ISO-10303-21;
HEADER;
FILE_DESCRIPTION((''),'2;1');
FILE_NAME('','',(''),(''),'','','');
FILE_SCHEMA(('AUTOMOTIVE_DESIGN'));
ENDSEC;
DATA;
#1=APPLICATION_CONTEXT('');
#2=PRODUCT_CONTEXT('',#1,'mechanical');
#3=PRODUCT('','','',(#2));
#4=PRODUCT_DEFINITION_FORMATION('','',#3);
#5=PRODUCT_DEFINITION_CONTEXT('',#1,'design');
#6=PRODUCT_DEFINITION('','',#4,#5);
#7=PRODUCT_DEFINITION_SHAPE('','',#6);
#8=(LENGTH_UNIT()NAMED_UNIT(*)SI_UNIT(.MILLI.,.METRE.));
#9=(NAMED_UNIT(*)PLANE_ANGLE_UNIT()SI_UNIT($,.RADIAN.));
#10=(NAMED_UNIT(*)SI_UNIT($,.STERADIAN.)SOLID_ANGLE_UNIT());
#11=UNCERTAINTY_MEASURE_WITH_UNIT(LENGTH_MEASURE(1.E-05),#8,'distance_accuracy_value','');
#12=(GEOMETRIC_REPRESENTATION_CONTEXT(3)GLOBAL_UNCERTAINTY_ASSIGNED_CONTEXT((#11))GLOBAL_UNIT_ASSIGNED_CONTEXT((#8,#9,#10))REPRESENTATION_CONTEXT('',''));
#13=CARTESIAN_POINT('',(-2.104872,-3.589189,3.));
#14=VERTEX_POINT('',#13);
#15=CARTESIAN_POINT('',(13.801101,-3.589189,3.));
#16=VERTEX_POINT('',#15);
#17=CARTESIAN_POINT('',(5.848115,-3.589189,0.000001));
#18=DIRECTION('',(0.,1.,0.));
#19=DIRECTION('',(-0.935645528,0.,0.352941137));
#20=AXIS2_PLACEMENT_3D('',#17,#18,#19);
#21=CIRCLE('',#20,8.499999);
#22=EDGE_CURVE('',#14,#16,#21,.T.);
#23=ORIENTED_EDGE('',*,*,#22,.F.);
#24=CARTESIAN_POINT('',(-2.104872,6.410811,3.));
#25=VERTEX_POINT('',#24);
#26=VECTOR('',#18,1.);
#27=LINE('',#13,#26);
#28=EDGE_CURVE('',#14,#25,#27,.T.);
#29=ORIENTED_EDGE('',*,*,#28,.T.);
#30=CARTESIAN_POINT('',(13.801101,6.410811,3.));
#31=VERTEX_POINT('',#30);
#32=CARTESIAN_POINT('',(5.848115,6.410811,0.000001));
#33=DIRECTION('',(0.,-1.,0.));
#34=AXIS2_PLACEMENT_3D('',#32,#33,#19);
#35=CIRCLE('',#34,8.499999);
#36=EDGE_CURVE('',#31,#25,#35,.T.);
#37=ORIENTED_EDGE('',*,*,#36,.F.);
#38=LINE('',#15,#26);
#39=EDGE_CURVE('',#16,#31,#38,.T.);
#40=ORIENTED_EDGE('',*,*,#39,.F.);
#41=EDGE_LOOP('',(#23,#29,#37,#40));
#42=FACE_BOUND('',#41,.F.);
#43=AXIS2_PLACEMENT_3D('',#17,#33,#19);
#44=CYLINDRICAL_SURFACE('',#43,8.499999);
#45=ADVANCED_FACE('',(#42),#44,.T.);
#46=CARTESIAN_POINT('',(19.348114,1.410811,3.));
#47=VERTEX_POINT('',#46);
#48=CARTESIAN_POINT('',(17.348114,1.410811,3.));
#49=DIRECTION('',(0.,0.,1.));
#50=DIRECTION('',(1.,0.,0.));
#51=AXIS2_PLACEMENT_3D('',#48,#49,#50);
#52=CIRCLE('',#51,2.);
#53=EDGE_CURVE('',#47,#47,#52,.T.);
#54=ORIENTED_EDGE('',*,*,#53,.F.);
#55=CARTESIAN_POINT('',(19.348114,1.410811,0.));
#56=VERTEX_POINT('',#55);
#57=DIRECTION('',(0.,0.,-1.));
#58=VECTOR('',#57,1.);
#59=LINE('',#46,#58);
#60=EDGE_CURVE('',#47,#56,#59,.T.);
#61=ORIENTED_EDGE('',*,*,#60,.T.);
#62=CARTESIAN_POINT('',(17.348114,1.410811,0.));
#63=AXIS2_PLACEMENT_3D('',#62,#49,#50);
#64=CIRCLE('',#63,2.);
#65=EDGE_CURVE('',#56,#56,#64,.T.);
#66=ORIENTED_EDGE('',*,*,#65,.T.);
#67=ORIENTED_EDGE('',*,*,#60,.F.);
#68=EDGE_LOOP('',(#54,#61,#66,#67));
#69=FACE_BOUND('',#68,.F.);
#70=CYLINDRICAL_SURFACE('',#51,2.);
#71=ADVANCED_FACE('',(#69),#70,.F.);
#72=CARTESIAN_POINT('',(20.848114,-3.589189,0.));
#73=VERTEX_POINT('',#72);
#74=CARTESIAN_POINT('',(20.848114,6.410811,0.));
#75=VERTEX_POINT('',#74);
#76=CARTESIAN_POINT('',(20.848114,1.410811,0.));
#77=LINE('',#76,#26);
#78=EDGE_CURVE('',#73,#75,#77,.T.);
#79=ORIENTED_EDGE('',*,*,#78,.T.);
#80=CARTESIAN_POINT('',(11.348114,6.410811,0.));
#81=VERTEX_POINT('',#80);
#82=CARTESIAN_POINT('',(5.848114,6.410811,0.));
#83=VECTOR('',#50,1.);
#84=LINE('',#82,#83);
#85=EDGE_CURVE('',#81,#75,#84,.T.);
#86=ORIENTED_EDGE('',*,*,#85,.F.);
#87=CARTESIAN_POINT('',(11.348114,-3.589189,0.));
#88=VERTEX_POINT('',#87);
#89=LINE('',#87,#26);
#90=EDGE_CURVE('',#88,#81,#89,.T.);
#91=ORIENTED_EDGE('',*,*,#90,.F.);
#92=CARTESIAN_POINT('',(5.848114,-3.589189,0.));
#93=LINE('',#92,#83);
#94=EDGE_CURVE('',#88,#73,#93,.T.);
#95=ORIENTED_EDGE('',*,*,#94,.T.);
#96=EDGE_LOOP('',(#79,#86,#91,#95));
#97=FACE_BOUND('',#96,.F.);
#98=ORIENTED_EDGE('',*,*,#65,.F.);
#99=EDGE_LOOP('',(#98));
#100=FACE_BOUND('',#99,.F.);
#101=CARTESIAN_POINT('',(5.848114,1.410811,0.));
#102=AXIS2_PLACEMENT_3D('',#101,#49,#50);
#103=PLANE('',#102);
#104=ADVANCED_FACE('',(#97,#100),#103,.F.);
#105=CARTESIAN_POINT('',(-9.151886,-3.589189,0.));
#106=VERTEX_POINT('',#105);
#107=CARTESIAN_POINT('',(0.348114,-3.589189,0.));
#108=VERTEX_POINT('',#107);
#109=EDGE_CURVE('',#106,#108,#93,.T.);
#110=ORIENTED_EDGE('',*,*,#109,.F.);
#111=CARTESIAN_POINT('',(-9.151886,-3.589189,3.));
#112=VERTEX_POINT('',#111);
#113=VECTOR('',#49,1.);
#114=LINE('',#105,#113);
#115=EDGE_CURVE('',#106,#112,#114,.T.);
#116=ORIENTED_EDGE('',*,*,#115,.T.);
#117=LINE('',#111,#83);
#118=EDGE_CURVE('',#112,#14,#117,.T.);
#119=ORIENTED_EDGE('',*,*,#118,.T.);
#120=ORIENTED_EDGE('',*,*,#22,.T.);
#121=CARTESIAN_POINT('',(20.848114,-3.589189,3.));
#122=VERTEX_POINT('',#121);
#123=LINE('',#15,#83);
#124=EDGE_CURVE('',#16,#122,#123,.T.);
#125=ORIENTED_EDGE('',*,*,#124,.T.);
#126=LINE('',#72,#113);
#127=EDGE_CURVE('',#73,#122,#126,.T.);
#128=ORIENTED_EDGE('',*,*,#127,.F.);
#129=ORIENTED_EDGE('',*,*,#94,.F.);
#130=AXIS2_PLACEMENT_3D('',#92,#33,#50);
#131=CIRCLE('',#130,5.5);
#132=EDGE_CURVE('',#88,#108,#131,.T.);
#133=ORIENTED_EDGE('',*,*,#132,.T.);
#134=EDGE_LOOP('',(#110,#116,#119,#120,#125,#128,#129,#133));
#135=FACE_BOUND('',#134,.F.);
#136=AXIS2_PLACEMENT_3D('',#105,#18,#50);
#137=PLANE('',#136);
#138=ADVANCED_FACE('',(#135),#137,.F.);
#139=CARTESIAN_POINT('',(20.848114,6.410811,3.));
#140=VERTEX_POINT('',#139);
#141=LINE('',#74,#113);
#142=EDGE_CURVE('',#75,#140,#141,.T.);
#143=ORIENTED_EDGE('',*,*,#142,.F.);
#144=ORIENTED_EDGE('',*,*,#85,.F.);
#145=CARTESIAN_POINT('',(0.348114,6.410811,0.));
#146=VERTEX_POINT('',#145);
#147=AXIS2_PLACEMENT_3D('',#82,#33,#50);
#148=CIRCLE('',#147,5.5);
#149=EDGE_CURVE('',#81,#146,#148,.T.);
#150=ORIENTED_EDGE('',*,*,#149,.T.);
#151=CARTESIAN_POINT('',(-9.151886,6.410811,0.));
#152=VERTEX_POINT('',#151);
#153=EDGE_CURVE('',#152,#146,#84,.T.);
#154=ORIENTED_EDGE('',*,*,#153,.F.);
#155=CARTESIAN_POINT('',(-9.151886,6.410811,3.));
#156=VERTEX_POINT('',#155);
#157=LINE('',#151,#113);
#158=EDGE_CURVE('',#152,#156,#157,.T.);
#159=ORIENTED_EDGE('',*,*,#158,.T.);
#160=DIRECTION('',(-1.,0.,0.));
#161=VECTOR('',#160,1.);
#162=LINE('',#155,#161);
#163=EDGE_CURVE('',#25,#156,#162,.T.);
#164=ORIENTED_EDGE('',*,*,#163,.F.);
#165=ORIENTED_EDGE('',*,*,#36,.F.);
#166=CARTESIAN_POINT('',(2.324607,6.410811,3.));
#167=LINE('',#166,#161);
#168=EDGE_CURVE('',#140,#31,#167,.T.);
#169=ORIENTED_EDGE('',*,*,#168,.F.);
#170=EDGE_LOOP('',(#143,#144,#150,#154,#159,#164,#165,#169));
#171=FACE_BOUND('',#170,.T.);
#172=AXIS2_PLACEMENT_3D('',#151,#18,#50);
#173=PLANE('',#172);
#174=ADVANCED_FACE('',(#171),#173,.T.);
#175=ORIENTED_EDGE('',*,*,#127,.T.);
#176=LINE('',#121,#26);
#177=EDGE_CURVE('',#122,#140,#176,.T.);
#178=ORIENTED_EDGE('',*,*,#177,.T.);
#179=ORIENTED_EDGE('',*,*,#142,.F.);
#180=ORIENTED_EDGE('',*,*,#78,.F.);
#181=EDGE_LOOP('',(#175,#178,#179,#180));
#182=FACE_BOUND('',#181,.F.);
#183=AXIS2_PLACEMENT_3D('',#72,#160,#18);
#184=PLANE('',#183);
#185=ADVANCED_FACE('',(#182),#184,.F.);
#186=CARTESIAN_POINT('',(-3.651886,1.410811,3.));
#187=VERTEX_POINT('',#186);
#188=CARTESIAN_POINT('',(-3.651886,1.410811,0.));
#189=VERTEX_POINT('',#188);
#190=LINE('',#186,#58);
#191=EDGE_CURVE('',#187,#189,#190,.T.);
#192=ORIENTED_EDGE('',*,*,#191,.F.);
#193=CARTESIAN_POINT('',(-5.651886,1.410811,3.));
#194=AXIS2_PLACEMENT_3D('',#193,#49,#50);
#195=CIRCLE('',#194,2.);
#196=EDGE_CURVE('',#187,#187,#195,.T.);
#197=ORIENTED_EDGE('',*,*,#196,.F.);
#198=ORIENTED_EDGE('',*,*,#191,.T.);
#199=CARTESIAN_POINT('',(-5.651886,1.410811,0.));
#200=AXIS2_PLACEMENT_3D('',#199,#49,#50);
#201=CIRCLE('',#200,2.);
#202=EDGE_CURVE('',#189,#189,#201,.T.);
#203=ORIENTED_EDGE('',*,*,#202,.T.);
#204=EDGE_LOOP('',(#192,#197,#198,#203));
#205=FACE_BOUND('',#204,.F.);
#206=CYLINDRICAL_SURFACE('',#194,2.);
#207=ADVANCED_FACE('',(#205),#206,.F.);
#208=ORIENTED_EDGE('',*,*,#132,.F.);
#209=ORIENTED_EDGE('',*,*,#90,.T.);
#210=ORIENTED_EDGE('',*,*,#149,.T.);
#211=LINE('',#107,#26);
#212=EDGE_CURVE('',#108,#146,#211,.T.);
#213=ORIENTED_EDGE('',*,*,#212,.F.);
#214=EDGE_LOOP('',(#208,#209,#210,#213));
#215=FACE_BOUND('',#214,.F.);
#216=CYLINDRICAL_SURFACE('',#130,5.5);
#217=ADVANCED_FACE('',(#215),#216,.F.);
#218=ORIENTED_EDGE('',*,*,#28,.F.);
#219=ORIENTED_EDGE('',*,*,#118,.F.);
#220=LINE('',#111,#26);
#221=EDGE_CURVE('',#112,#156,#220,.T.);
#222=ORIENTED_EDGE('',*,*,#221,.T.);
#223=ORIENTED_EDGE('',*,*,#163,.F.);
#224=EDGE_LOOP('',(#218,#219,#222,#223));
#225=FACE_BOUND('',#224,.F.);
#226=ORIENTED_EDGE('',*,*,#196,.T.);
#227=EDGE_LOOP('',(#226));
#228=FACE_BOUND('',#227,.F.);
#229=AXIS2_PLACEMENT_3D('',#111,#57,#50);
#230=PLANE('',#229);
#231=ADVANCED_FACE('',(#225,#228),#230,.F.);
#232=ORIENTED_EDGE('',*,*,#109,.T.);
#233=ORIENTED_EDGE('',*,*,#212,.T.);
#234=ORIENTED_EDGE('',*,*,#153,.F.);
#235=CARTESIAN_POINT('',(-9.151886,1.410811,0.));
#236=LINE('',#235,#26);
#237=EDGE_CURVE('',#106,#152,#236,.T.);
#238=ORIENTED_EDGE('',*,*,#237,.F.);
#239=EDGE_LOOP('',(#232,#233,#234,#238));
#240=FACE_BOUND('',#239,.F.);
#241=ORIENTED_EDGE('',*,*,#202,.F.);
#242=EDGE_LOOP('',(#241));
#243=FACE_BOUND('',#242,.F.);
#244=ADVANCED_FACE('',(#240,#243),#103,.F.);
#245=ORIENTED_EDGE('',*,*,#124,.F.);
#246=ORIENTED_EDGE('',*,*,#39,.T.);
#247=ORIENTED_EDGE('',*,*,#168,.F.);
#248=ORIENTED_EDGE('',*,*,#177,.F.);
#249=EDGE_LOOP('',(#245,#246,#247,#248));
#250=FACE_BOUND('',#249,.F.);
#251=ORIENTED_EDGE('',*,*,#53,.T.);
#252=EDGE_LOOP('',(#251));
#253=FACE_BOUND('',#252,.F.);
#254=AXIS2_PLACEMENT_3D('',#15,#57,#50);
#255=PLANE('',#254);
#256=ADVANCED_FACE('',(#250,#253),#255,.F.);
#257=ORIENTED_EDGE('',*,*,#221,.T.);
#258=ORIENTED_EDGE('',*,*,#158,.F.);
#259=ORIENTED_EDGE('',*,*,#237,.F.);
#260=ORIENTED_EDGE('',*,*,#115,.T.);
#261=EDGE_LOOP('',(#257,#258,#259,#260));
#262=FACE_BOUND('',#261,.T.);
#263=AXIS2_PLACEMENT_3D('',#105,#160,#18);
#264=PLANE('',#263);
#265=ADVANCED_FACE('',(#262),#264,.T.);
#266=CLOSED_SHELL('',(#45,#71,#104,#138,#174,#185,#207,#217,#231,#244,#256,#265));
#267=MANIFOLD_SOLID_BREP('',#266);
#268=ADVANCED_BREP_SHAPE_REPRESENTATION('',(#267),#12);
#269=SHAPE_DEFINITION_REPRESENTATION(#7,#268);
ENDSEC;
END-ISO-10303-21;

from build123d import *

# Parameters (mm, degrees)
F0_W     = 30
F0_H     = 10
F1_DEPTH = 17
F3_DEPTH = 25
F4_R     = 2
F5_DEPTH = 25


with BuildPart() as f1:
    # F0 (on Top) → F1 (new body)
    with BuildSketch(Plane.XY):
        with Locations((5.848114, 1.410811)):
            Rectangle(F0_W, F0_H)
    extrude(amount=F1_DEPTH)

    # F2 (on face) → F3 (cut)
    with BuildSketch(Plane.XZ.offset(3.589189)):
        with BuildLine():
            ThreePointArc((-2.104872, 3), (5.848114, 8.5), (13.801101, 3))
            Line((13.801101, 3), (20.848114, 3))
            Line((20.848114, 3), (20.848114, 17))
            Line((20.848114, 17), (-9.151886, 17))
            Line((-9.151886, 17), (-9.151886, 3))
            Line((-9.151886, 3), (-2.104872, 3))
        make_face()
        with BuildLine():
            Line((0.348114, 0), (11.348114, 0))
            ThreePointArc((11.348114, 0), (5.848114, 5.5), (0.348114, 0))
        make_face()
    extrude(amount=-F3_DEPTH, mode=Mode.SUBTRACT)

    # F4 (on face) → F5 (cut)
    with BuildSketch(Plane.XY.offset(3)):
        with Locations((-5.651886, 1.410811)):
            Circle(F4_R)
        with Locations((17.348114, 1.410811)):
            Circle(F4_R)
    extrude(amount=-F5_DEPTH, mode=Mode.SUBTRACT)


solid = f1.part
